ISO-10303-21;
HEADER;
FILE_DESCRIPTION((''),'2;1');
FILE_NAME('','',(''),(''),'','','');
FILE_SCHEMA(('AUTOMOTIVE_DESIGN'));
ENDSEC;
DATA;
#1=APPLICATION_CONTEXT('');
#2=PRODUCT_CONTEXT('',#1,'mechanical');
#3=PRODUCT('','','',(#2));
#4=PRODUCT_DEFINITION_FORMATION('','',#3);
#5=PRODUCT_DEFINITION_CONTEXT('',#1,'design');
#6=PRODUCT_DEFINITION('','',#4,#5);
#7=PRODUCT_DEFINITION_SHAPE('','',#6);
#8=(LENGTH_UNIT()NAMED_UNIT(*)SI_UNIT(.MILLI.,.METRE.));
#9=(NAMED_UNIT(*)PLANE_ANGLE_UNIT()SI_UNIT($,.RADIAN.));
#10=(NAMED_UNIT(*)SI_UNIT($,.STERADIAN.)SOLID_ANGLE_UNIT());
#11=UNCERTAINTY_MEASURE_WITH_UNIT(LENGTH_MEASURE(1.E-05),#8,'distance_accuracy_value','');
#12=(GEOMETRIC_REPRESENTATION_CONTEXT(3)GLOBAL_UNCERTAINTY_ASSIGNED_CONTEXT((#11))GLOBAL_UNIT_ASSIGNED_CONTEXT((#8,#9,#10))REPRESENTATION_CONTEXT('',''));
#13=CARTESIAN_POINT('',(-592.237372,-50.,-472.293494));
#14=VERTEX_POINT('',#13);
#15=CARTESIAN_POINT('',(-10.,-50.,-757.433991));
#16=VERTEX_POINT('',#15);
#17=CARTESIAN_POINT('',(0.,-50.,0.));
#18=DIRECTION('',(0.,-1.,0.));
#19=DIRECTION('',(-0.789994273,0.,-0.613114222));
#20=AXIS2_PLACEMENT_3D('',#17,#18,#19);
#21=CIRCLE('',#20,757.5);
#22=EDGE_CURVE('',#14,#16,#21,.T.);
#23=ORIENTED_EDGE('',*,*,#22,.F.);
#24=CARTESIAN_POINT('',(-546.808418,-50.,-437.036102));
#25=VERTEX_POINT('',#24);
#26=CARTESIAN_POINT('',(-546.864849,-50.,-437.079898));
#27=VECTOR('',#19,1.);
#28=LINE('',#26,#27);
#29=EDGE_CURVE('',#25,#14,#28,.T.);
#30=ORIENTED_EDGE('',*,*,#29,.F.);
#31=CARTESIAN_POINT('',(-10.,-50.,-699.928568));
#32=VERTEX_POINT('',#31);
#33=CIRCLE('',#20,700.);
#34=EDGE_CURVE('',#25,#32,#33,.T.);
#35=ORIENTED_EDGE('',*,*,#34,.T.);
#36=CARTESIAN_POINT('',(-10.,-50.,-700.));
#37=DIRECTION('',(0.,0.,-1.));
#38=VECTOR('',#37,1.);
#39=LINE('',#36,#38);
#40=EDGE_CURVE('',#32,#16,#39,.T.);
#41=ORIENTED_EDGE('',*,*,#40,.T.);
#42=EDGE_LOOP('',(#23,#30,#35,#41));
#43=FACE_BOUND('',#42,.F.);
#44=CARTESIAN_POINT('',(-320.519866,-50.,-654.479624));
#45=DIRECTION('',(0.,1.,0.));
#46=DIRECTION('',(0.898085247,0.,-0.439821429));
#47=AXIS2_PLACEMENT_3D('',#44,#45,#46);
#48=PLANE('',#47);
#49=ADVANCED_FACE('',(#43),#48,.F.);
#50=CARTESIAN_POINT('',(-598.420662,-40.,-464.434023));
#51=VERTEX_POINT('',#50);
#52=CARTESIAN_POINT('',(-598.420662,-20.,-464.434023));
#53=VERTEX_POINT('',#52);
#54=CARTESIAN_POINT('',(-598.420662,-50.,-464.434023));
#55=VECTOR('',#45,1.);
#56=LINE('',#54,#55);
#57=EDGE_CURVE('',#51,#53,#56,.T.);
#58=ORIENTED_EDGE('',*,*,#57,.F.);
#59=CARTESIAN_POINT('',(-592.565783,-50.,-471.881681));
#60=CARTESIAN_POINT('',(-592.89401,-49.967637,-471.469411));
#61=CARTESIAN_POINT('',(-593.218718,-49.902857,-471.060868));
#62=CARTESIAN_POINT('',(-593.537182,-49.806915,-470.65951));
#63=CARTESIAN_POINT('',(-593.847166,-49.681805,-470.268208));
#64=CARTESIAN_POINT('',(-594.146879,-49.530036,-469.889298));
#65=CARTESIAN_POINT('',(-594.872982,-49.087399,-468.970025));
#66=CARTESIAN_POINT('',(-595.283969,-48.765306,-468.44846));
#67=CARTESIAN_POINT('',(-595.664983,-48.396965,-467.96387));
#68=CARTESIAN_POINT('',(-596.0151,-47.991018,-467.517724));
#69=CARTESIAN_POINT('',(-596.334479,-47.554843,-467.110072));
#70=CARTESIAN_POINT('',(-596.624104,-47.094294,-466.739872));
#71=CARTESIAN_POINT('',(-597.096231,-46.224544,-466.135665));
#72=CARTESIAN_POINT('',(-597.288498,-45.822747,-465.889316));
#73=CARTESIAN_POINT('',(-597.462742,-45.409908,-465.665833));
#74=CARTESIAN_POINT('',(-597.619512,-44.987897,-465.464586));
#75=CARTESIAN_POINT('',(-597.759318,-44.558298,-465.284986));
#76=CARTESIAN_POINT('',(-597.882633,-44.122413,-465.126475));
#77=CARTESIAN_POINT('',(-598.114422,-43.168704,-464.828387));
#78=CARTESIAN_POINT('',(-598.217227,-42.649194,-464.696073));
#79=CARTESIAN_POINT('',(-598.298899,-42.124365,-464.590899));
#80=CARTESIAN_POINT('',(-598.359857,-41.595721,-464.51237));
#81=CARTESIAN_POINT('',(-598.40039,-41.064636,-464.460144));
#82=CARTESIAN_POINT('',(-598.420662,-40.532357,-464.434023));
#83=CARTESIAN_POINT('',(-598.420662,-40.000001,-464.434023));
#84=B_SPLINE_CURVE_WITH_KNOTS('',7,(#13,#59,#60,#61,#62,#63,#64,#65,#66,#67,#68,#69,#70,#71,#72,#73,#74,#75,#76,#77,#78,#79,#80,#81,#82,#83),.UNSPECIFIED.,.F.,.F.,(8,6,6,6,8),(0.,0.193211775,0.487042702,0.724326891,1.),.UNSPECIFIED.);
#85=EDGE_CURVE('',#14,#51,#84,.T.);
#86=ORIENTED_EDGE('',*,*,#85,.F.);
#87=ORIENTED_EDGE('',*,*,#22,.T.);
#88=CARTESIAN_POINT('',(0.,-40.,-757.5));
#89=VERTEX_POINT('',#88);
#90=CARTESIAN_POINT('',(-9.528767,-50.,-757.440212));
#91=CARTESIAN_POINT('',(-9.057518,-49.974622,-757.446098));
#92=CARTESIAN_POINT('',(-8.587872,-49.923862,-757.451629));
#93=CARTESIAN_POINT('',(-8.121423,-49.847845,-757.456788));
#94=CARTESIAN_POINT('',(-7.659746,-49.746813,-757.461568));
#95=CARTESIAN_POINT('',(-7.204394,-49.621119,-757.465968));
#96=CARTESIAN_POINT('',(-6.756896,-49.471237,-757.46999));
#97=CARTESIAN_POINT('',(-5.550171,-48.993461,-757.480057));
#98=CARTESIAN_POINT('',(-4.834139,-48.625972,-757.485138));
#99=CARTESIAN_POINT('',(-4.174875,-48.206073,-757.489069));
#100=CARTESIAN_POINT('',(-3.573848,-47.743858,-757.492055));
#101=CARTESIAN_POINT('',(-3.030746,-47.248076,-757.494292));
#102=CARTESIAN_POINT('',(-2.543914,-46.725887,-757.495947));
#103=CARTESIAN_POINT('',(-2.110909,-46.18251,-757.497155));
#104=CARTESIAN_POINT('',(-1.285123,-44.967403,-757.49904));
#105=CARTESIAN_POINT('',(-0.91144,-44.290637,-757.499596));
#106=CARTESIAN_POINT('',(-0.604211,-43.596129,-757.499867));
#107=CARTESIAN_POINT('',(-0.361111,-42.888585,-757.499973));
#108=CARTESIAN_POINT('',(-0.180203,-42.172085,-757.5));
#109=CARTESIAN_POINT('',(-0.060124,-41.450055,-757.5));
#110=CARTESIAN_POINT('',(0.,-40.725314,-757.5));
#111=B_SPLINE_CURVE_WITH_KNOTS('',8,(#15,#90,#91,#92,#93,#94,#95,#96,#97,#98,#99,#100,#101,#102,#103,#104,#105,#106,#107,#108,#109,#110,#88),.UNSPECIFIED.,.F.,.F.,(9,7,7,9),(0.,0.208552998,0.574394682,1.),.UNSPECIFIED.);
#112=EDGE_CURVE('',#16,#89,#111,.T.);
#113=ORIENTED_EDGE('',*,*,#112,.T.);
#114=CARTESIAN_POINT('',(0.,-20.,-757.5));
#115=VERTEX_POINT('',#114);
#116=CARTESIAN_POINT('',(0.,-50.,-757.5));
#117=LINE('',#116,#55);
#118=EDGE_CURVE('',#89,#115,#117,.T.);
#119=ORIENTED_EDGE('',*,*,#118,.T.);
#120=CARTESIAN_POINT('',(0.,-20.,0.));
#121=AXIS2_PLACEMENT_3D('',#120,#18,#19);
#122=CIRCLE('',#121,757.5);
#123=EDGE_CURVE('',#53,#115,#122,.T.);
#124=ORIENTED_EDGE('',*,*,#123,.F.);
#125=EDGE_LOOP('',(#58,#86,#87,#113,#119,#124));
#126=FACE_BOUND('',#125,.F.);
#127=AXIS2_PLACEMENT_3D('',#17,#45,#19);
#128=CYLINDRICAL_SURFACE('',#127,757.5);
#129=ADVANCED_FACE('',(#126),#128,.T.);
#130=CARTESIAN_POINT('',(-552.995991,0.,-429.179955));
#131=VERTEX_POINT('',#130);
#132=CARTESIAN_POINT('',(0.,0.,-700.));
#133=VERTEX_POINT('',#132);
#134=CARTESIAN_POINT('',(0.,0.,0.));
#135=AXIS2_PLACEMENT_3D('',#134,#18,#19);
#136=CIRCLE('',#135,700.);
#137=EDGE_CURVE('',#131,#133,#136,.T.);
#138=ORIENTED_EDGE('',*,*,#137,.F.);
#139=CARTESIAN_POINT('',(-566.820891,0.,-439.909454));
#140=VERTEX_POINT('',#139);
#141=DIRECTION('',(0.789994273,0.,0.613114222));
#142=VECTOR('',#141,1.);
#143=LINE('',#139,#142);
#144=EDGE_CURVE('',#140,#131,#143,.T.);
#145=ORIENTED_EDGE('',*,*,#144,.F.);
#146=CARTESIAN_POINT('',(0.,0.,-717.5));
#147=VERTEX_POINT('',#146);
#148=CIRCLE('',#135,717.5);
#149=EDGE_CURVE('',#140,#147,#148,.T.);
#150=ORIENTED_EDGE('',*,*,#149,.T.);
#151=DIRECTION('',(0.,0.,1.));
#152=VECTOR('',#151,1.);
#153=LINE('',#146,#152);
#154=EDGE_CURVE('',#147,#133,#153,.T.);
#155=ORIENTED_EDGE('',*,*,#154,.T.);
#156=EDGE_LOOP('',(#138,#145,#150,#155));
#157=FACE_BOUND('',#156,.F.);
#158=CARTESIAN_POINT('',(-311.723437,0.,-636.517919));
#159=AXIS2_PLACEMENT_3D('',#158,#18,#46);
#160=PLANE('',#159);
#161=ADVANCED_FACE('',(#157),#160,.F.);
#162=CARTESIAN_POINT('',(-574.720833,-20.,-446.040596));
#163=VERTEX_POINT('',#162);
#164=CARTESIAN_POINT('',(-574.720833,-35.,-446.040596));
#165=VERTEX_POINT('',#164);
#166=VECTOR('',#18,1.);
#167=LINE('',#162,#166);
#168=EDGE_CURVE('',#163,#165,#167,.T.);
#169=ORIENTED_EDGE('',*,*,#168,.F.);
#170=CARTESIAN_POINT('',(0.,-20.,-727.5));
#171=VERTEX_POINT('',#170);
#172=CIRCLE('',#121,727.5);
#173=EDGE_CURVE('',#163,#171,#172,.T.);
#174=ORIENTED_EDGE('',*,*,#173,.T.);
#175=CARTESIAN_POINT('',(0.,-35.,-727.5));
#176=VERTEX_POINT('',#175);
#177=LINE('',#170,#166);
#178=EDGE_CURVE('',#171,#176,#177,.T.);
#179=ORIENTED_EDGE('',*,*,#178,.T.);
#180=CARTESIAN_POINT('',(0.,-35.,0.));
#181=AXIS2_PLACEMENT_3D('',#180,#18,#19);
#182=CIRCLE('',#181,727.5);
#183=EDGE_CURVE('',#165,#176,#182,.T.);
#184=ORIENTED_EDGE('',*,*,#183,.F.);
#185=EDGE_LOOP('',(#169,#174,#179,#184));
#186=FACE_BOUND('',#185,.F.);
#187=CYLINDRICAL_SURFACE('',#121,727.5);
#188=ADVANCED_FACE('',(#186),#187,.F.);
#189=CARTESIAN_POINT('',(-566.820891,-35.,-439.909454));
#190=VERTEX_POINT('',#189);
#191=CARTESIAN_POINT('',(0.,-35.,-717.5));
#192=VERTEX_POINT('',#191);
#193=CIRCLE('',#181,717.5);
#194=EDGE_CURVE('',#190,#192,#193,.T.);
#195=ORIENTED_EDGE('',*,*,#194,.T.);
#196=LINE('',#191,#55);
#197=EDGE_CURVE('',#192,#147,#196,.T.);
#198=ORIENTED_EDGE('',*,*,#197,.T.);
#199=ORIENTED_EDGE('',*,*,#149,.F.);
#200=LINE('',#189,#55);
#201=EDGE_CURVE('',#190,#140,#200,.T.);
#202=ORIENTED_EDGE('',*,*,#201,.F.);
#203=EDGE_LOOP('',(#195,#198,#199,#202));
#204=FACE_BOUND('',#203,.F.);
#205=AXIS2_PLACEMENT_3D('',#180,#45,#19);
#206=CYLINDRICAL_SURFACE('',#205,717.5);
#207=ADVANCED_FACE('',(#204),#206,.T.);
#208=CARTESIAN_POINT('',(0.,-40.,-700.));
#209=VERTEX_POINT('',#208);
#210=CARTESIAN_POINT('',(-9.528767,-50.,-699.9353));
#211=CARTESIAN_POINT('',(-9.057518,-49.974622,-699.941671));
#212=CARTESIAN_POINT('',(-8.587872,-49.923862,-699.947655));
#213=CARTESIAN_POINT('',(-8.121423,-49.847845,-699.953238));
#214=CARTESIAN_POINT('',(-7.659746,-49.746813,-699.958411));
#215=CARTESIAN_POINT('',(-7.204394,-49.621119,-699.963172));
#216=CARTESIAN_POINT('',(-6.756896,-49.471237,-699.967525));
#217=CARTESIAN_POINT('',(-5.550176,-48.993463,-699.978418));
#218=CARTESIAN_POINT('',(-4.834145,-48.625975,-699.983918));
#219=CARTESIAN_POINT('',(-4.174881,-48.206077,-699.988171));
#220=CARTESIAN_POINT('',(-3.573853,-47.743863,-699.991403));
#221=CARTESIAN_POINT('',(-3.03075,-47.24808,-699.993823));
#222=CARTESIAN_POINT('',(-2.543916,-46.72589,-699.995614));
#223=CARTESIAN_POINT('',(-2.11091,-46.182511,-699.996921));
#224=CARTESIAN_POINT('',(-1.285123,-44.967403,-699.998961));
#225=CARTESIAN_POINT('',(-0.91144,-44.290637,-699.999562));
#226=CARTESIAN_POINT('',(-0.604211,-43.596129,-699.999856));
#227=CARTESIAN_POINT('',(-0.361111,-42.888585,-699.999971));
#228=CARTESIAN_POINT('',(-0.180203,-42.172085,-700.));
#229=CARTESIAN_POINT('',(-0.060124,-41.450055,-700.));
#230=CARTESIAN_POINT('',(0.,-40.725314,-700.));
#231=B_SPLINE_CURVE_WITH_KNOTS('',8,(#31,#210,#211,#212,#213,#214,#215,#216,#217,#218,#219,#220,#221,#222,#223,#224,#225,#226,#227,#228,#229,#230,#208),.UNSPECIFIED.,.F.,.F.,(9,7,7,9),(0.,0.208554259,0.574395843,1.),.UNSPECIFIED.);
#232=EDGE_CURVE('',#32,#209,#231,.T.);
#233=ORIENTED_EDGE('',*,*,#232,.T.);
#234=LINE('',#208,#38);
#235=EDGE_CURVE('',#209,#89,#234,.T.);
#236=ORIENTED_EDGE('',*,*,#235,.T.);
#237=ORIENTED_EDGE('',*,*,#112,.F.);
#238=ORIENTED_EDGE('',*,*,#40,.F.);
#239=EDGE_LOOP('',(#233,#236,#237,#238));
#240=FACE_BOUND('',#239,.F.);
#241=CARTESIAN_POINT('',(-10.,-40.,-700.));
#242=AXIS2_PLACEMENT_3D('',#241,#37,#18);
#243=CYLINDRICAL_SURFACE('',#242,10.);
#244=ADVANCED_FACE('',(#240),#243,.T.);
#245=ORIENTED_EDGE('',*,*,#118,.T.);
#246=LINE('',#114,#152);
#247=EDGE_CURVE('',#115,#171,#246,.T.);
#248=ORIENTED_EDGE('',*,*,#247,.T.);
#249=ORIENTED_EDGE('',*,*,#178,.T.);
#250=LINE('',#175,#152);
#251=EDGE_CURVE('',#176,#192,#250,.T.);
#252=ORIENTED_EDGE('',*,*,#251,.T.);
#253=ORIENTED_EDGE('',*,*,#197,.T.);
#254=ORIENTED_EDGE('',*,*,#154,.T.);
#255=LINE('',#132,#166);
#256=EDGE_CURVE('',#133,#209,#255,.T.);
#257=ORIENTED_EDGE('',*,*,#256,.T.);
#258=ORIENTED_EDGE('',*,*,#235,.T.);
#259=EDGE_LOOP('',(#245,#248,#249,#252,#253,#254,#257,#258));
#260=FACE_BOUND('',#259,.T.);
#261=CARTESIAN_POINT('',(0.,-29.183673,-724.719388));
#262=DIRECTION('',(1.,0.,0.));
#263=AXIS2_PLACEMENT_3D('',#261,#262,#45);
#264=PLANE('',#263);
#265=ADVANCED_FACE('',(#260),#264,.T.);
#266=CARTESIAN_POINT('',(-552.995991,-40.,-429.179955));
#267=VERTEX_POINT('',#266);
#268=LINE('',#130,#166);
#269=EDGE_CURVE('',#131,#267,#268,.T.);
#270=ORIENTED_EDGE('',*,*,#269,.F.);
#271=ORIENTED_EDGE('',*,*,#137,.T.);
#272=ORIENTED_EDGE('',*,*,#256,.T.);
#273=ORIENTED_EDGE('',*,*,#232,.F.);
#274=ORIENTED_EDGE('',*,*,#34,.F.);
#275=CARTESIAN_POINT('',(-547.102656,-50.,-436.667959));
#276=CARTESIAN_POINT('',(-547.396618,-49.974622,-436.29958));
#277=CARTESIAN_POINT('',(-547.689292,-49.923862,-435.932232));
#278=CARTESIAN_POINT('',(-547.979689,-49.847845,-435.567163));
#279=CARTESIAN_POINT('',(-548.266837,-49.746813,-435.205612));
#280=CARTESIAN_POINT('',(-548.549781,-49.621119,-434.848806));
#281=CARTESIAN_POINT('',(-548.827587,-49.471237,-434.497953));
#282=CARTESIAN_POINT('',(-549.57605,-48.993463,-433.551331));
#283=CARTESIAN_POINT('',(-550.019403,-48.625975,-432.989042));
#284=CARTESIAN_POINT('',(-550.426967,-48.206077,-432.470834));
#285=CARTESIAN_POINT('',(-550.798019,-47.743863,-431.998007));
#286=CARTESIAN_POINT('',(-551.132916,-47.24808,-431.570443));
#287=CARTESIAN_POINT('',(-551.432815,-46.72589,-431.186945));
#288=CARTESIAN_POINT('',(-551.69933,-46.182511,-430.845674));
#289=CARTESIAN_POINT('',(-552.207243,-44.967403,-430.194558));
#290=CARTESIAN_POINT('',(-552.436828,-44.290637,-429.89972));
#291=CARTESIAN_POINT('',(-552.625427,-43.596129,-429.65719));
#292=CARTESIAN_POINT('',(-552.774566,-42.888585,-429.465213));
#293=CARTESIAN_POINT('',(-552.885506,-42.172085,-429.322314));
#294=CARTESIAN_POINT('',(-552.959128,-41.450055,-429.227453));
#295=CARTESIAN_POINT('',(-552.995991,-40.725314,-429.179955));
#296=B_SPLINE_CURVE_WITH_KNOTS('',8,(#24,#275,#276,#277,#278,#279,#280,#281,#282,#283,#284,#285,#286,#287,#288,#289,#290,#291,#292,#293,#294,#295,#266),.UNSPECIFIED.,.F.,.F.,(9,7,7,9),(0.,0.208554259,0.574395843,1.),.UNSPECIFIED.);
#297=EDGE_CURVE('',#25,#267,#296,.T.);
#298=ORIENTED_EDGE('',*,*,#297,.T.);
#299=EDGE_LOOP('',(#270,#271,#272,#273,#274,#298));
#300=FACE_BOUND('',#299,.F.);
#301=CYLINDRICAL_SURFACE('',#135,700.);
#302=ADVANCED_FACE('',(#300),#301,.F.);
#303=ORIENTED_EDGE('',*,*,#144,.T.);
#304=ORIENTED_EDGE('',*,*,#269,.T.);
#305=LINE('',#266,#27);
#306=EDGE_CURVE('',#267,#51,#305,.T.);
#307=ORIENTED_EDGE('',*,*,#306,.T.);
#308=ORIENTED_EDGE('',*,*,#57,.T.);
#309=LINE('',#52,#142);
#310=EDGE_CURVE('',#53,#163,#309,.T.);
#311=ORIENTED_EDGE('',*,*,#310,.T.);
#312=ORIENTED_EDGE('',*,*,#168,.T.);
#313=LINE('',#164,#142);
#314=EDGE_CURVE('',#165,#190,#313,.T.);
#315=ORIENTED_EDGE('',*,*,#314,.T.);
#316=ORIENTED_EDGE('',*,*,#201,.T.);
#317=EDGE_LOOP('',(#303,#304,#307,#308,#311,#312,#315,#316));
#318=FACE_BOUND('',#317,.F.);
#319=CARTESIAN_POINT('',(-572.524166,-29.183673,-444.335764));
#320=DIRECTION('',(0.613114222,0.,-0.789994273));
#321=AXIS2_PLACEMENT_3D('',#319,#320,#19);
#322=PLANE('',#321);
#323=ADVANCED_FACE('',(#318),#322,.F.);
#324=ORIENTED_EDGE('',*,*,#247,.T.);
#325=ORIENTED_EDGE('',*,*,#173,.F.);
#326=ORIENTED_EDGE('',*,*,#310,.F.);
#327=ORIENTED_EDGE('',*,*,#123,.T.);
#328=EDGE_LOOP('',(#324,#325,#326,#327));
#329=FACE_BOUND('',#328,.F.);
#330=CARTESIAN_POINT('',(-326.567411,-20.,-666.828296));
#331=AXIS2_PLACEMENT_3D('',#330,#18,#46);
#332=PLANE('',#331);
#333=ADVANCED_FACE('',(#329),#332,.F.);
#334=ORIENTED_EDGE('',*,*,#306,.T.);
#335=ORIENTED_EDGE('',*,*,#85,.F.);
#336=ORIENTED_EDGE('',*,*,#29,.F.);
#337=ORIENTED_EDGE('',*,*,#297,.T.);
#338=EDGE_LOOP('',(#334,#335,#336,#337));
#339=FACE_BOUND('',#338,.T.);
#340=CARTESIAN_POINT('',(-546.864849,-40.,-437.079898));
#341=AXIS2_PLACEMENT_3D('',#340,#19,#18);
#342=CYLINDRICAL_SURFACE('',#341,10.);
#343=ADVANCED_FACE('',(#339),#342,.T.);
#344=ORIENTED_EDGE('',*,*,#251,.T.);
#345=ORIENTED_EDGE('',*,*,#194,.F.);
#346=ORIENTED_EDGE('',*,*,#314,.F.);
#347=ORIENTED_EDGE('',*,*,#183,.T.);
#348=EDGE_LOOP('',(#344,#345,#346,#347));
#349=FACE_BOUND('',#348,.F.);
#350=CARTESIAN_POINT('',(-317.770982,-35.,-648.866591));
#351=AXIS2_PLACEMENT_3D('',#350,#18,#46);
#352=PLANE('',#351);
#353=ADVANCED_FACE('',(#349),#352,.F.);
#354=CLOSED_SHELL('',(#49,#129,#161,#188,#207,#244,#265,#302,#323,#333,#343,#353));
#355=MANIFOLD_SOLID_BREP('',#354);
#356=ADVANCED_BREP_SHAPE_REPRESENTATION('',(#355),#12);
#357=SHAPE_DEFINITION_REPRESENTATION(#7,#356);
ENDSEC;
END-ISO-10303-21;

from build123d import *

# Parameters (mm, degrees)
F3_R = 10
F4_R = 10


with BuildPart() as f2:
    # F2: sweep along a path in F0
    with BuildLine(Plane.XZ) as f2_path:
        ThreePointArc((-552.9959908712, -429.1799553571), (-307.875, -628.6596729352), (0, -700))
    # F1 (on Right) → F2 (sweep)
    with BuildSketch(Plane.YZ):
        Polygon((0, -717.5), (0, -700), (-50, -700), (-50, -757.5), (-20, -757.5), (-20, -727.5), (-35, -727.5), (-35, -717.5), align=None)
    sweep(path=f2_path.line)

    # F3
    f3_edges = [f2.edges().sort_by_distance(p)[0] for p in [
        (-575.708326, -50, -446.806989),
    ]]
    fillet(f3_edges, radius=F3_R)

    # F4
    f4_edges = [f2.edges().sort_by_distance(p)[0] for p in [
        (0, -50, -728.75),
    ]]
    fillet(f4_edges, radius=F4_R)


solid = f2.part
